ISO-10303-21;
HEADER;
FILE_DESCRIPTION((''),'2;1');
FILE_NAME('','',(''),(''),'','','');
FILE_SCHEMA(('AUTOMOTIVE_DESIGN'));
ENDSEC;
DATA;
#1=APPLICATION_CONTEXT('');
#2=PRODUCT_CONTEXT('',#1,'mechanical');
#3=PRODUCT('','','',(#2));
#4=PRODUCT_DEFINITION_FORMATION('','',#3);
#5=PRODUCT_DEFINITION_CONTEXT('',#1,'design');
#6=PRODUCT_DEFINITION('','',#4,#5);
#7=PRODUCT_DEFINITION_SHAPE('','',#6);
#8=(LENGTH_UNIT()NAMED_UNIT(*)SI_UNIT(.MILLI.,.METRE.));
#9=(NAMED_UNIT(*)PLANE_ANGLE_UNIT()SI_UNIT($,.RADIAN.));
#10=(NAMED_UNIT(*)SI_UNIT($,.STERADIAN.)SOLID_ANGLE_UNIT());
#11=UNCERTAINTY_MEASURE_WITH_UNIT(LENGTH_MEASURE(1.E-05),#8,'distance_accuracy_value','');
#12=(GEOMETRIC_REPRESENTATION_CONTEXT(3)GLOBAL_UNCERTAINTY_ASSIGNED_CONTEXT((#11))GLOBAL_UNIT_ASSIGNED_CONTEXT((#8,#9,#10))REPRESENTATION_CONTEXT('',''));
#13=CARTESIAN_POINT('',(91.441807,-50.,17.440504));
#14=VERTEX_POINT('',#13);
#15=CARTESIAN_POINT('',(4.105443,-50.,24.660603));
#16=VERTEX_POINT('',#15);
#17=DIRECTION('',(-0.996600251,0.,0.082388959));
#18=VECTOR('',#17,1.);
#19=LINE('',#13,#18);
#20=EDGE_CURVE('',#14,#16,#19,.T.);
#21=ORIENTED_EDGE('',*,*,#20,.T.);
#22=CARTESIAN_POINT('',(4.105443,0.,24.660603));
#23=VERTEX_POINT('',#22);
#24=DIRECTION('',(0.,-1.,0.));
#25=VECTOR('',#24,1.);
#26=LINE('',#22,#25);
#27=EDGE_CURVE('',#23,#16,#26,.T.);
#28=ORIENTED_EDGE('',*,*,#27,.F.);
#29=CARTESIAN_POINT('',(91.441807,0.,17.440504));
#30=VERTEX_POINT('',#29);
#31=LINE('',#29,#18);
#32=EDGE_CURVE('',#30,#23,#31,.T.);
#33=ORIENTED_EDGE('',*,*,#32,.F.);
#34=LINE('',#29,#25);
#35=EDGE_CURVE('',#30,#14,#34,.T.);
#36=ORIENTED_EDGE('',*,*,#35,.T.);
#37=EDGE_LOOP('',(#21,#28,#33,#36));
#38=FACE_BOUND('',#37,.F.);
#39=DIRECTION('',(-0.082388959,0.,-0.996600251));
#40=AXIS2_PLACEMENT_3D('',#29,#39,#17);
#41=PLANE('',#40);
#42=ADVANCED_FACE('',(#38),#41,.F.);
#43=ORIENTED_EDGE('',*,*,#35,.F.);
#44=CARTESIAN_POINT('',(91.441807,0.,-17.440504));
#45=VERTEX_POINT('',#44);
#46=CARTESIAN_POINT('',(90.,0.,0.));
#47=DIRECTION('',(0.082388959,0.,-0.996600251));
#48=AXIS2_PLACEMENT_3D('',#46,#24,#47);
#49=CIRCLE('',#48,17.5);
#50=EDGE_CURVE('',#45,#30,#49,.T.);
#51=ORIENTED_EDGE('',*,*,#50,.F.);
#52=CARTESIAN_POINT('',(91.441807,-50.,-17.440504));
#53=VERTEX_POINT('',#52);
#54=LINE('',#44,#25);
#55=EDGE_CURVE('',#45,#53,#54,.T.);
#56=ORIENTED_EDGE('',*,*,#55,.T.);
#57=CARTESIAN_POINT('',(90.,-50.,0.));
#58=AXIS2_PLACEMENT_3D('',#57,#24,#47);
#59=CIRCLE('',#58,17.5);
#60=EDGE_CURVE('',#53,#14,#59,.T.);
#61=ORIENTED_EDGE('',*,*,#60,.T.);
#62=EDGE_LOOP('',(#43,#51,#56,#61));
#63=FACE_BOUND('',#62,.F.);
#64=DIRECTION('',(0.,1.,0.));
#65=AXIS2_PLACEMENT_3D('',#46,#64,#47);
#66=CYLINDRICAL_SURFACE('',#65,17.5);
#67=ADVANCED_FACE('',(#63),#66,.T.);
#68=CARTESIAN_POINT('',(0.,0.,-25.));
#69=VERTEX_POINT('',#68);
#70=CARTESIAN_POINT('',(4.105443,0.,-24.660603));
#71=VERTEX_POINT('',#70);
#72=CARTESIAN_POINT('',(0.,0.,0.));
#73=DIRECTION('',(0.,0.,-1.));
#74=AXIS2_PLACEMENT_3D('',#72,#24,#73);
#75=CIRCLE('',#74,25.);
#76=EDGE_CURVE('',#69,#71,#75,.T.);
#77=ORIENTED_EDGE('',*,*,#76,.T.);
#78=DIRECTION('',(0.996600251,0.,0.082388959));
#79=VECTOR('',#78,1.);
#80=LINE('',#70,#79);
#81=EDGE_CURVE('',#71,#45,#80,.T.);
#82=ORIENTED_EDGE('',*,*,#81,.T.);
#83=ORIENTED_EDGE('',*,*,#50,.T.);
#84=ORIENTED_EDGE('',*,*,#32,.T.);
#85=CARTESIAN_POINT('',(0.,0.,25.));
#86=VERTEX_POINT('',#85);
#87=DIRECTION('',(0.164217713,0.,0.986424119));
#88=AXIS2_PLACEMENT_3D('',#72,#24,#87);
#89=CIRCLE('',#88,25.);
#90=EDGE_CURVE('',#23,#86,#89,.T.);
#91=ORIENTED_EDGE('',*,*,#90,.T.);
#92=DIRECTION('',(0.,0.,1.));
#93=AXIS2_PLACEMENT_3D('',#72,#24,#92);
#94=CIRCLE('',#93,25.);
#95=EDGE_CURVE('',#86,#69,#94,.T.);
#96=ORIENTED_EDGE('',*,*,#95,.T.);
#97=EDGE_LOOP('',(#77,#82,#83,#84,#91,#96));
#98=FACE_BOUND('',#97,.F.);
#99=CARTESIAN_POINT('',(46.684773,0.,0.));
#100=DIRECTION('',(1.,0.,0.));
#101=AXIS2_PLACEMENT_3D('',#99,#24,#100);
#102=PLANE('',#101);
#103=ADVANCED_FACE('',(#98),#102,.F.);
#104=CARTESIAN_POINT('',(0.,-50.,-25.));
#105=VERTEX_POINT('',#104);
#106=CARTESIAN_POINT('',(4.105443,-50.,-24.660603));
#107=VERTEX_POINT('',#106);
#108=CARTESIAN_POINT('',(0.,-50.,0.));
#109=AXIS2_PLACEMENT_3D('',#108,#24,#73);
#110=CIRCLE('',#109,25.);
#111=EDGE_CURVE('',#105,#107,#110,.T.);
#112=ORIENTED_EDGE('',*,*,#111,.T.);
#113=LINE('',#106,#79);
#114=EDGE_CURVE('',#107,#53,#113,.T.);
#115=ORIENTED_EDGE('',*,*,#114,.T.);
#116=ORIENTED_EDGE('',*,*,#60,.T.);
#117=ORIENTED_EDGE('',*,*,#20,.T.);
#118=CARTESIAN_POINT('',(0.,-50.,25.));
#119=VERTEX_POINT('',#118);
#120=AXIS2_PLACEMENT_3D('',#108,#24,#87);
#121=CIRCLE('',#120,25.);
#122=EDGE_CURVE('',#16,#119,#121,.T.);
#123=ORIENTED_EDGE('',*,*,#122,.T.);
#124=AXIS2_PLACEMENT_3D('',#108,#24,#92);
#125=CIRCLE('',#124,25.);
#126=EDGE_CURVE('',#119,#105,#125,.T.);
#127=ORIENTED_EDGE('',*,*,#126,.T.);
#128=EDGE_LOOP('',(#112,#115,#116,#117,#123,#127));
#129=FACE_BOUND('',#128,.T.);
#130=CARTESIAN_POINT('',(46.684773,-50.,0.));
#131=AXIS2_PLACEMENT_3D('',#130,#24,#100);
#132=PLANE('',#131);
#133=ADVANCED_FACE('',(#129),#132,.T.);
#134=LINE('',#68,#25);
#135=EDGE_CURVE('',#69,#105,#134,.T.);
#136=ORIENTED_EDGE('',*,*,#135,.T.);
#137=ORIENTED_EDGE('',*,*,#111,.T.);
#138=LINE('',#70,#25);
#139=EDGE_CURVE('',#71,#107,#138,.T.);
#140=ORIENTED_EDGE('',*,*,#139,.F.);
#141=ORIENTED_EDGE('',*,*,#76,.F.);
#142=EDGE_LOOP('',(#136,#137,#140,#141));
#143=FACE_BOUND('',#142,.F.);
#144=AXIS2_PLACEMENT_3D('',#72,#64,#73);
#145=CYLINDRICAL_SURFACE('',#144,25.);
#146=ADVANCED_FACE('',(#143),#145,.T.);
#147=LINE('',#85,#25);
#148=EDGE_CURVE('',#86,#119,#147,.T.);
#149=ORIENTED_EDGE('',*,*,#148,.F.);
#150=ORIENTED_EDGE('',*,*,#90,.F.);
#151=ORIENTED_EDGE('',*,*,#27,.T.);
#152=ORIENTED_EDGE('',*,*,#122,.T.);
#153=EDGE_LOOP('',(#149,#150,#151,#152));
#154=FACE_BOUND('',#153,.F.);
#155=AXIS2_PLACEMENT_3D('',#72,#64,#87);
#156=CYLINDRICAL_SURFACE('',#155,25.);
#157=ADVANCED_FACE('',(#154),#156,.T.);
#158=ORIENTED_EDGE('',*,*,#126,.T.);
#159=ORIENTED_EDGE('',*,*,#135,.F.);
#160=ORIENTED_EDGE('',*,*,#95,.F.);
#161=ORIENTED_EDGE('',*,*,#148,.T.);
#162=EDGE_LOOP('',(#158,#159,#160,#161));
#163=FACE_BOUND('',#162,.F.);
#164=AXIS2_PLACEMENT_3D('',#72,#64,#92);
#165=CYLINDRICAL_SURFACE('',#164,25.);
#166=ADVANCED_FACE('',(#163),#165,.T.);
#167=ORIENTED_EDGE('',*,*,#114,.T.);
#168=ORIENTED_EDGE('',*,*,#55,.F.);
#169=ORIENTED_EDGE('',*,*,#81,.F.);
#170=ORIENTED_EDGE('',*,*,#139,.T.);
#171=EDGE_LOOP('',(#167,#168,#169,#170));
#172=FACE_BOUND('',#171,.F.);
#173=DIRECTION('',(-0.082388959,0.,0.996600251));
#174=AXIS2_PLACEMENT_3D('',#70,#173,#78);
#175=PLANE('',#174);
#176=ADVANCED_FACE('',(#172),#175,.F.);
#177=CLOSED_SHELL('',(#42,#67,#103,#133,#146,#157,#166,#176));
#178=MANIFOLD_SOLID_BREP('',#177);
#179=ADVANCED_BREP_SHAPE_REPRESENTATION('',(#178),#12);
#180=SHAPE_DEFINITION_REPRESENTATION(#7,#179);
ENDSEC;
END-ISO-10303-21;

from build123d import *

# Parameters (mm, degrees)
F1_DEPTH = 50


with BuildPart() as f1:
    # F0 (on Front) → F1 (new body)
    with BuildSketch(Plane.XZ):
        with BuildLine():
            Line((91.4418067738, 17.4405043857), (4.1054428346, 24.6606029758))
            ThreePointArc((4.1054428346, 24.6606029758), (19.0740146648, 16.1611251022), (25, 0))
            ThreePointArc((25, 0), (19.0740146648, -16.1611251022), (4.1054428346, -24.6606029758))
            Line((4.1054428346, -24.6606029758), (91.4418067738, -17.4405043857))
            ThreePointArc((91.4418067738, -17.4405043857), (72.5, 0), (91.4418067738, 17.4405043857))
        make_face()
        with BuildLine():
            ThreePointArc((4.1054428346, 24.6606029758), (2.0597239626, 24.9150062653), (0, 25))
            Line((0, 25), (4.1054428346, 24.6606029758))
        make_face()
        with BuildLine():
            Line((4.1054428346, -24.6606029758), (0, -25))
            ThreePointArc((0, -25), (2.0597239626, -24.9150062653), (4.1054428346, -24.6606029758))
        make_face()
        with BuildLine():
            ThreePointArc((107.5, 0), (102.8740362463, 11.8536572723), (91.4418067738, 17.4405043857))
            ThreePointArc((91.4418067738, 17.4405043857), (72.5, 0), (91.4418067738, -17.4405043857))
            ThreePointArc((91.4418067738, -17.4405043857), (102.8740362463, -11.8536572723), (107.5, 0))
        make_face()
        with BuildLine():
            Line((4.1054428346, 24.6606029758), (0, 25))
            ThreePointArc((0, 25), (-25, 0), (0, -25))
            Line((0, -25), (4.1054428346, -24.6606029758))
            ThreePointArc((4.1054428346, -24.6606029758), (19.0740146648, -16.1611251022), (25, 0))
            ThreePointArc((25, 0), (19.0740146648, 16.1611251022), (4.1054428346, 24.6606029758))
        make_face()
    extrude(amount=F1_DEPTH)


solid = f1.part
